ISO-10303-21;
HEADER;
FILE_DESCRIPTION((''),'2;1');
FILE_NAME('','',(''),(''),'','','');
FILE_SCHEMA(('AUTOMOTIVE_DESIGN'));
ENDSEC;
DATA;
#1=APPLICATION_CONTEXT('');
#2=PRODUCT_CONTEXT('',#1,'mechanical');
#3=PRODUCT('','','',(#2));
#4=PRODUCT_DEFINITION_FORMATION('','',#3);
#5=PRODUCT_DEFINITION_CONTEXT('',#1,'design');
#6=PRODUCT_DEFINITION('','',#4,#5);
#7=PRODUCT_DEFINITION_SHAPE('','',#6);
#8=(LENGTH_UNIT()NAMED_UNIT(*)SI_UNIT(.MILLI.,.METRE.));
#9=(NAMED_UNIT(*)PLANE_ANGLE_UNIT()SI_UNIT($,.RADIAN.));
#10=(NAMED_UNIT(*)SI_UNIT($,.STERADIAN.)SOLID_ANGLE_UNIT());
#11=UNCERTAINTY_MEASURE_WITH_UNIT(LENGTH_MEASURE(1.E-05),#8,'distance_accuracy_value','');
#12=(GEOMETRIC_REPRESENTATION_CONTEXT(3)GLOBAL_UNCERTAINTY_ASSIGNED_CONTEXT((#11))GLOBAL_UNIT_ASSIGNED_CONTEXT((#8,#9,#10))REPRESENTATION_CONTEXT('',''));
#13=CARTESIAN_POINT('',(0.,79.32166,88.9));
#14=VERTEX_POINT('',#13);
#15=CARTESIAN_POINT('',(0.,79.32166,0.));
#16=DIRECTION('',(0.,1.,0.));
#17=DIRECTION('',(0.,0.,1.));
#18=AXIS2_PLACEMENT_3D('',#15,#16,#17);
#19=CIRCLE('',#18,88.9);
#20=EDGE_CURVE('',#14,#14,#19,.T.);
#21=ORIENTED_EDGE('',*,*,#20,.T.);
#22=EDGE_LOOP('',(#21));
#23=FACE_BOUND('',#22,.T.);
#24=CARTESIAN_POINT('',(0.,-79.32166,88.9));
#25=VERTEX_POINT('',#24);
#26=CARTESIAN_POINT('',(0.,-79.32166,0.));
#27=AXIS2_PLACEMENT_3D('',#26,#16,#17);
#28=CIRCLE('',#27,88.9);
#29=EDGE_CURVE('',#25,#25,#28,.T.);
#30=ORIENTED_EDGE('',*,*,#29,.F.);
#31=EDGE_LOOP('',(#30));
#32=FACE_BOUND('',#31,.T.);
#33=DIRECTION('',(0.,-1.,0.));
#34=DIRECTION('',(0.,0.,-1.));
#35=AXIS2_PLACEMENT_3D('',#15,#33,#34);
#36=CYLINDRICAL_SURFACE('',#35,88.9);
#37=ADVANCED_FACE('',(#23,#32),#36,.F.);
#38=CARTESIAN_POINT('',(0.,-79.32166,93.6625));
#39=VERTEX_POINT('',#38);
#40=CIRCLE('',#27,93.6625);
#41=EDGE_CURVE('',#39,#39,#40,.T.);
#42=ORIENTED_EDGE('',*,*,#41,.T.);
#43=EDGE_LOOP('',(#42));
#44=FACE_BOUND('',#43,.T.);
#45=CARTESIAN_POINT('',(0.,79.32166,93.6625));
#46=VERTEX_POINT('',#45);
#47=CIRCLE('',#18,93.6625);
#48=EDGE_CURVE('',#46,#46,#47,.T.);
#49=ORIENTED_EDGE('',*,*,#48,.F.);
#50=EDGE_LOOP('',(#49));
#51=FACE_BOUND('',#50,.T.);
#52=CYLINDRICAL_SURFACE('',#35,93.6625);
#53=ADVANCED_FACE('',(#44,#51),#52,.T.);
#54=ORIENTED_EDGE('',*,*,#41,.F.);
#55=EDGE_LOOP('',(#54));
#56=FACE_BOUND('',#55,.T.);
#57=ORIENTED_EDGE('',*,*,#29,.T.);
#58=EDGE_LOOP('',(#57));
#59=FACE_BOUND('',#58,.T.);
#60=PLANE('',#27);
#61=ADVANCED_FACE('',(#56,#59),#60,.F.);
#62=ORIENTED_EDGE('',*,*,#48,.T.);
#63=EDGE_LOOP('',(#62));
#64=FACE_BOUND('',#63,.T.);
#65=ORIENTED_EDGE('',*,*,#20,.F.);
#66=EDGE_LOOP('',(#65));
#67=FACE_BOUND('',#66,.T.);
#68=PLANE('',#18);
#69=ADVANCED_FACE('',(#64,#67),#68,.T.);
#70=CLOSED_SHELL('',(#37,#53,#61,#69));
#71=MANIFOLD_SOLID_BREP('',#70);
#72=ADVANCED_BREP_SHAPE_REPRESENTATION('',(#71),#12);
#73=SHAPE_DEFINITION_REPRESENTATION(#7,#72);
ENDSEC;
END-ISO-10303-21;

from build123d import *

# Parameters (mm, degrees)
SKETCH1_R           = 93.6625
SKETCH1_R_2         = 88.9
BOSS_EXTRUDE1_DEPTH = 79.32166


with BuildPart() as part:
    # Sketch1 → Boss-Extrude1 (new body, symmetric)
    with BuildSketch(Plane(origin=(0, 0, 0), x_dir=(1, 0, 0), z_dir=(0, 1, 0))):
        Circle(SKETCH1_R)
        Circle(SKETCH1_R_2, mode=Mode.SUBTRACT)
    extrude(amount=BOSS_EXTRUDE1_DEPTH, both=True)


solid = part.part
